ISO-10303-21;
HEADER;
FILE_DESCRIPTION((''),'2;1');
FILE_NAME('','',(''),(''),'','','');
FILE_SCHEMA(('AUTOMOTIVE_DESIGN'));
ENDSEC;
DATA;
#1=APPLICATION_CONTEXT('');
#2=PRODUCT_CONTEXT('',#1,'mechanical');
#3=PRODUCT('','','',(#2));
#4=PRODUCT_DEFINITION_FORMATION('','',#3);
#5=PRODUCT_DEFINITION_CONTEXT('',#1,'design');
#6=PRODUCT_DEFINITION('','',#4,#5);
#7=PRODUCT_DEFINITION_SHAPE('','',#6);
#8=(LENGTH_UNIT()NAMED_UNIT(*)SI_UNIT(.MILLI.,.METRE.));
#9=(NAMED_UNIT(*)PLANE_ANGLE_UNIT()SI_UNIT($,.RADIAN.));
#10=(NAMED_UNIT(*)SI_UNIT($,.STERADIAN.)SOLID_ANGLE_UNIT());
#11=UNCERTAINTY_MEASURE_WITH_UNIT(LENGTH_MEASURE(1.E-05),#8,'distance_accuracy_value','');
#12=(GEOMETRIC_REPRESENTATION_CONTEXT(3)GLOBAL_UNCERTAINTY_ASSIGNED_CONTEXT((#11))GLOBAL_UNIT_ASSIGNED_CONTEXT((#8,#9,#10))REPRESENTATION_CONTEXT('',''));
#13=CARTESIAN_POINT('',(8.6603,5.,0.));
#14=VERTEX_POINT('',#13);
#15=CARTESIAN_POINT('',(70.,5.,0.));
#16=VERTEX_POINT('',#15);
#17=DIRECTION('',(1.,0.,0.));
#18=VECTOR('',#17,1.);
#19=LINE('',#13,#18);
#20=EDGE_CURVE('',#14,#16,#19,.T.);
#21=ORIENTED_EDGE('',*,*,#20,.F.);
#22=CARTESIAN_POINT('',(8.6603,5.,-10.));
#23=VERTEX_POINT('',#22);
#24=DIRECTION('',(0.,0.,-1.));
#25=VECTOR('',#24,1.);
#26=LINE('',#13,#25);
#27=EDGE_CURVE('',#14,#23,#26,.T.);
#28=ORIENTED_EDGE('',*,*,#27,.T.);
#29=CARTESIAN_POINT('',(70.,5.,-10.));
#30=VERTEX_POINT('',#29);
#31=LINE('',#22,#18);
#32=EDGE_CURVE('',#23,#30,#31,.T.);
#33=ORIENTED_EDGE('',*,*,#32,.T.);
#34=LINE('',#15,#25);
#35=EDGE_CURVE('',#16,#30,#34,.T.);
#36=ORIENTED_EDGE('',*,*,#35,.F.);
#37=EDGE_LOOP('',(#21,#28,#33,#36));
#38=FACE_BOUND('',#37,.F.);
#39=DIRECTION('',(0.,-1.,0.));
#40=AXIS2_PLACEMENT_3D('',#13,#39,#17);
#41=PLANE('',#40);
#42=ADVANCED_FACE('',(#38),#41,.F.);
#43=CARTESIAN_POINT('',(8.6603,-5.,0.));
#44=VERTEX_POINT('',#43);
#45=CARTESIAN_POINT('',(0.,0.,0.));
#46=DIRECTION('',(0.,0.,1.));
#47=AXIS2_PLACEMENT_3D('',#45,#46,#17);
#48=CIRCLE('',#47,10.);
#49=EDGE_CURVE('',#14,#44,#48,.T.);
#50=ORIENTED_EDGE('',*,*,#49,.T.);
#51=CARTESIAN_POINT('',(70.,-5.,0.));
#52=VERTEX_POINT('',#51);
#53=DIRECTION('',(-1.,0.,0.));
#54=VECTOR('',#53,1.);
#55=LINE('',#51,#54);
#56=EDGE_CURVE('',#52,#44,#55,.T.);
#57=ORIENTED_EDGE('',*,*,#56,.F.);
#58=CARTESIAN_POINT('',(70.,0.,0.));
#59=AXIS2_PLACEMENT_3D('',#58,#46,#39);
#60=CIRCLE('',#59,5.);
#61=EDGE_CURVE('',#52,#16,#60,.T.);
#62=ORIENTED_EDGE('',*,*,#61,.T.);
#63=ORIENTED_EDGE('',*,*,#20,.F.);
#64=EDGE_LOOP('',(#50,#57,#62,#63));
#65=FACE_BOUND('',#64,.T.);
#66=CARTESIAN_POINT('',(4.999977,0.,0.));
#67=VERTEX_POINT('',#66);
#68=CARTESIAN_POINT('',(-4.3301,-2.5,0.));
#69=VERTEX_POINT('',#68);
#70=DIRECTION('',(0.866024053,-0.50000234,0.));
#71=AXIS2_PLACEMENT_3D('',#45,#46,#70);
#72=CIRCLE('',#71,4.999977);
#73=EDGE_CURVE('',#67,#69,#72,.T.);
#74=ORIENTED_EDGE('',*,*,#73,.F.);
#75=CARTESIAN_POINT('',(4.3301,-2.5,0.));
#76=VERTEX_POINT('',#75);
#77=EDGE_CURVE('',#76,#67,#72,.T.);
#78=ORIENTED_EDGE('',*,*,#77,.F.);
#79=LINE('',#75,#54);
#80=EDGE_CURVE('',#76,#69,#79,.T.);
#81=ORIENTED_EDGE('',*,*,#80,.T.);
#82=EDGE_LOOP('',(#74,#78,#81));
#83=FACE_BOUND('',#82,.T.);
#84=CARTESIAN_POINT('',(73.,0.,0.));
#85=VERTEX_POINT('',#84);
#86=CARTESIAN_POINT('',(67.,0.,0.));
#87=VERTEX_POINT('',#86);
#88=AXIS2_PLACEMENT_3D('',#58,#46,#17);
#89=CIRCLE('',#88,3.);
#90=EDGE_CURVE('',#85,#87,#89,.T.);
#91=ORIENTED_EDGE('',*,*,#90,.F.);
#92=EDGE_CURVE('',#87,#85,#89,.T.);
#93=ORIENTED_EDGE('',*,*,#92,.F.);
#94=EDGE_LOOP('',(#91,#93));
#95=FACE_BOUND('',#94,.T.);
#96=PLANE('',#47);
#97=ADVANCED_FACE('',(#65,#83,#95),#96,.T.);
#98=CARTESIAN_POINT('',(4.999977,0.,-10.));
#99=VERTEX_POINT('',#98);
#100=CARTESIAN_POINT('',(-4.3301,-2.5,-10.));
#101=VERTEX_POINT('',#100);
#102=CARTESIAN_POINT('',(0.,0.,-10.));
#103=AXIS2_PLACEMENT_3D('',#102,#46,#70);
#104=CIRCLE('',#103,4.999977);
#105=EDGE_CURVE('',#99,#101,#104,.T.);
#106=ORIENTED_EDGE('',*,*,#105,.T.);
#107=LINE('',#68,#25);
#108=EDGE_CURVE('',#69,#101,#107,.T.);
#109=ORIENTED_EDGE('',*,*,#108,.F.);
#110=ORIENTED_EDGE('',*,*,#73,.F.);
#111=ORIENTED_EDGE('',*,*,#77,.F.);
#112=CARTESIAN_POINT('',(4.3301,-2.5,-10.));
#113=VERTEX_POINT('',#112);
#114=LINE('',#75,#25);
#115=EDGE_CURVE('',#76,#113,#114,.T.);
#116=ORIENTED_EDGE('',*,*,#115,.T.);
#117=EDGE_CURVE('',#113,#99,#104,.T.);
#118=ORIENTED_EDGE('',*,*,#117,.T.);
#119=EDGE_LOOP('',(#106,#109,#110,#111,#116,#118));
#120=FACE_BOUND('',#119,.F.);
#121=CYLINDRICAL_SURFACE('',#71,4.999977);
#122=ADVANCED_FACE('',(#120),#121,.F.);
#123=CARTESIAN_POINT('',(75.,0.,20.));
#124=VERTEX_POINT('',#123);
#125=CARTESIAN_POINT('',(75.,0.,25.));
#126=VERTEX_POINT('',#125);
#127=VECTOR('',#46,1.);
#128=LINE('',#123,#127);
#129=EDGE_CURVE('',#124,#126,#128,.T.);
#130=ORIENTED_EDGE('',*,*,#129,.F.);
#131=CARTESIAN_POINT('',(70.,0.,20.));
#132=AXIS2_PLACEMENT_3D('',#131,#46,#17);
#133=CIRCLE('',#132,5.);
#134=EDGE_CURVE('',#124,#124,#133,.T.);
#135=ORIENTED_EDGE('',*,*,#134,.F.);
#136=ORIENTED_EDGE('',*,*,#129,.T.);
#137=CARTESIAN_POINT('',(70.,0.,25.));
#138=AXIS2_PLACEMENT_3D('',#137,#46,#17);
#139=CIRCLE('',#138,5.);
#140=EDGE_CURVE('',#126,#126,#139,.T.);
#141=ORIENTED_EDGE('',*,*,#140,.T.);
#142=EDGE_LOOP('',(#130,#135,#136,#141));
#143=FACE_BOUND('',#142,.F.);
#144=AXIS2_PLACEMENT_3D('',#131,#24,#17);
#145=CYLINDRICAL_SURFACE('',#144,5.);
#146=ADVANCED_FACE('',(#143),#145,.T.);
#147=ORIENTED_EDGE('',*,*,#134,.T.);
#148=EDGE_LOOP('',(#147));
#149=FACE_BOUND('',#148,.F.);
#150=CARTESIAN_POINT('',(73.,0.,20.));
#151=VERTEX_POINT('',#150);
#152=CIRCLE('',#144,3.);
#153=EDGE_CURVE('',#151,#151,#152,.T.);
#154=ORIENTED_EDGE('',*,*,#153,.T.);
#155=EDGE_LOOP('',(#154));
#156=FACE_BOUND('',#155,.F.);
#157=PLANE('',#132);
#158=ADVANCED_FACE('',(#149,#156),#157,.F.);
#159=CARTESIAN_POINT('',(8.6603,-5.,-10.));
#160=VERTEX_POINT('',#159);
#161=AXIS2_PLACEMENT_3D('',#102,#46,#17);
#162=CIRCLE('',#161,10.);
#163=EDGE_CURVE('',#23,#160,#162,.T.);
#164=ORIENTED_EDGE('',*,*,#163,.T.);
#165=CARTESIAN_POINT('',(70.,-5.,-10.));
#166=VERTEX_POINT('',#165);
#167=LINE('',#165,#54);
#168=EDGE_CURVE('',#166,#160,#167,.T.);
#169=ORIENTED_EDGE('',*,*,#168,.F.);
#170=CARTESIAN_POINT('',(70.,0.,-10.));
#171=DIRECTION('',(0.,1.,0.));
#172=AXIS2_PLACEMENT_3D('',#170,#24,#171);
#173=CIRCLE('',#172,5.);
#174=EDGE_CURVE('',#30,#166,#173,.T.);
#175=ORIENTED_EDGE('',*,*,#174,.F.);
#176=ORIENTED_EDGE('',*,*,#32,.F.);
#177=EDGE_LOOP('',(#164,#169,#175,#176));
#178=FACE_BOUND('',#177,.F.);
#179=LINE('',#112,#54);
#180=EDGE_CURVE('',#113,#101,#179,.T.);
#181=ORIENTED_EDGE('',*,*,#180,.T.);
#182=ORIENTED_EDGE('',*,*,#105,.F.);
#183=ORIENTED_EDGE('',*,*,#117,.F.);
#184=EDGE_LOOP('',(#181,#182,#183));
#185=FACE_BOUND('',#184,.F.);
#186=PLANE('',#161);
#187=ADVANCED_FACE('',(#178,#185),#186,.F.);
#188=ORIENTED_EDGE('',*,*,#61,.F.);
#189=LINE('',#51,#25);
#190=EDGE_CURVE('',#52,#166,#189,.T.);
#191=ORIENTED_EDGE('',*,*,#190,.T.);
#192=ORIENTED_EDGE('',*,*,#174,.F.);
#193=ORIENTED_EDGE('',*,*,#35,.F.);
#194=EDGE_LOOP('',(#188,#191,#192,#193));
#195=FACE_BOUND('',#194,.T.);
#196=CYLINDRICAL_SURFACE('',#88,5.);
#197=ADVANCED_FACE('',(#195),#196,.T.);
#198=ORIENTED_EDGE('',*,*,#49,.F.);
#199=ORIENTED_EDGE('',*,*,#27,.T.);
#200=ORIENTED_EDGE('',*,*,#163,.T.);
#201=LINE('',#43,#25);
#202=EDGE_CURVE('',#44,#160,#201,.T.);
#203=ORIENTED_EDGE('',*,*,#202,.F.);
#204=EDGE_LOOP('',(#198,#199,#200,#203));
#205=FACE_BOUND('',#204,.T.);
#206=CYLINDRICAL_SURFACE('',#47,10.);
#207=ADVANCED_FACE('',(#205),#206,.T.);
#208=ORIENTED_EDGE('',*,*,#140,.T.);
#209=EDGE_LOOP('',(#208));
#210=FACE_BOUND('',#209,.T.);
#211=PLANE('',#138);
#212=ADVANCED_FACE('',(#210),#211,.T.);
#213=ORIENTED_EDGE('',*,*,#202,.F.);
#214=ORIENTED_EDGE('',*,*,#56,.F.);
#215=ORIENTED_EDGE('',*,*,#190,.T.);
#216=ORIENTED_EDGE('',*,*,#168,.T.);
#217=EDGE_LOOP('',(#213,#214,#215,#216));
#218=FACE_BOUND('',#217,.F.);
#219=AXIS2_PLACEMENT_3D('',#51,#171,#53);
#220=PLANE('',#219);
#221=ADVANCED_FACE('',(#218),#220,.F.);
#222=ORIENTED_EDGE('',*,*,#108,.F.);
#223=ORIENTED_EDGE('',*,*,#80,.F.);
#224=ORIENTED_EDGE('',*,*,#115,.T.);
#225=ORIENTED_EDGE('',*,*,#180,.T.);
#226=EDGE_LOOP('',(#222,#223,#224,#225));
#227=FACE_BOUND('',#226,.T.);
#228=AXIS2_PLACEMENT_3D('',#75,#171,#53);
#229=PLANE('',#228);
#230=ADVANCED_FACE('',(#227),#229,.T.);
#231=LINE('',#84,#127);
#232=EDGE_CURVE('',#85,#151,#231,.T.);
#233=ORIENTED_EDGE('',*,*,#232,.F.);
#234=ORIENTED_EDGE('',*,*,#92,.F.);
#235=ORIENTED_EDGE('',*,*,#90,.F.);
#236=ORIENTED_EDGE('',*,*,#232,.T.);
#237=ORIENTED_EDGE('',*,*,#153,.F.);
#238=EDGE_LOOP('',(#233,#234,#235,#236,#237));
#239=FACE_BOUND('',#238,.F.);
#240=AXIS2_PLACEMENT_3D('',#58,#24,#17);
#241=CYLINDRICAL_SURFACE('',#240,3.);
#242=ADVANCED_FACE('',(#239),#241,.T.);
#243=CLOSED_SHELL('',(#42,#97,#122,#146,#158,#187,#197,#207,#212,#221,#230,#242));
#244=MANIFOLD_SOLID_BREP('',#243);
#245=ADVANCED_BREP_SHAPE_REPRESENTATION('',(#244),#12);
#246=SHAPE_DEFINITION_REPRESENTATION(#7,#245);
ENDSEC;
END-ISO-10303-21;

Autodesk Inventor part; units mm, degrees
ref_plane "YZ Plane" through (0, 0, 0) normal (1, 0, 0) x (0, 1, 0)
ref_plane "XZ Plane" through (0, 0, 0) normal (0, 1, 0) x (-1, 0, 0)
ref_plane "XY Plane" through (0, 0, 0) normal (0, 0, 1) x (1, 0, 0)
sketch "草圖2" plane through (0, 0, 0) normal (0, 0, 1) x (1, 0, 0)
  line L0 (4.3301, -2.5) -> (-4.3301, -2.5)
  arc A0 (4.3301, -2.5) -> (-4.3301, -2.5) centre (0, 0) ccw
  circle A1 centre (0, 0) radius 10
  line L1 (0, 0) -> (70, 0)
  circle A2 centre (70, 0) radius 5
  line L2 (8.6603, 5) -> (70, 5)
  line L3 (70, -5) -> (8.6603, -5)
  circle A3 centre (70, 0) radius 3
  dimension "d2" = 20
  dimension "d3" = 70
  dimension "d4" = 10
  dimension "d7" = 6
extrude "擠出1" add sketch "草圖2" against normal blind 10 contours A1 | A1 L2 A2 L1 | L1 A2 L3 A1 | A3 | A2
extrude "擠出2" add sketch "草圖2" along normal blind 20 contours A3
sketch "草圖3" plane through (70, 0, 20) normal (0, 0, 1) x (1, 0, 0)
  circle A0 centre (0, 0) radius 5
  point P0 (-70, 0)
  dimension "d10" = 10
extrude "擠出3" add sketch "草圖3" along normal blind 5
properties part number "Cranker1"
